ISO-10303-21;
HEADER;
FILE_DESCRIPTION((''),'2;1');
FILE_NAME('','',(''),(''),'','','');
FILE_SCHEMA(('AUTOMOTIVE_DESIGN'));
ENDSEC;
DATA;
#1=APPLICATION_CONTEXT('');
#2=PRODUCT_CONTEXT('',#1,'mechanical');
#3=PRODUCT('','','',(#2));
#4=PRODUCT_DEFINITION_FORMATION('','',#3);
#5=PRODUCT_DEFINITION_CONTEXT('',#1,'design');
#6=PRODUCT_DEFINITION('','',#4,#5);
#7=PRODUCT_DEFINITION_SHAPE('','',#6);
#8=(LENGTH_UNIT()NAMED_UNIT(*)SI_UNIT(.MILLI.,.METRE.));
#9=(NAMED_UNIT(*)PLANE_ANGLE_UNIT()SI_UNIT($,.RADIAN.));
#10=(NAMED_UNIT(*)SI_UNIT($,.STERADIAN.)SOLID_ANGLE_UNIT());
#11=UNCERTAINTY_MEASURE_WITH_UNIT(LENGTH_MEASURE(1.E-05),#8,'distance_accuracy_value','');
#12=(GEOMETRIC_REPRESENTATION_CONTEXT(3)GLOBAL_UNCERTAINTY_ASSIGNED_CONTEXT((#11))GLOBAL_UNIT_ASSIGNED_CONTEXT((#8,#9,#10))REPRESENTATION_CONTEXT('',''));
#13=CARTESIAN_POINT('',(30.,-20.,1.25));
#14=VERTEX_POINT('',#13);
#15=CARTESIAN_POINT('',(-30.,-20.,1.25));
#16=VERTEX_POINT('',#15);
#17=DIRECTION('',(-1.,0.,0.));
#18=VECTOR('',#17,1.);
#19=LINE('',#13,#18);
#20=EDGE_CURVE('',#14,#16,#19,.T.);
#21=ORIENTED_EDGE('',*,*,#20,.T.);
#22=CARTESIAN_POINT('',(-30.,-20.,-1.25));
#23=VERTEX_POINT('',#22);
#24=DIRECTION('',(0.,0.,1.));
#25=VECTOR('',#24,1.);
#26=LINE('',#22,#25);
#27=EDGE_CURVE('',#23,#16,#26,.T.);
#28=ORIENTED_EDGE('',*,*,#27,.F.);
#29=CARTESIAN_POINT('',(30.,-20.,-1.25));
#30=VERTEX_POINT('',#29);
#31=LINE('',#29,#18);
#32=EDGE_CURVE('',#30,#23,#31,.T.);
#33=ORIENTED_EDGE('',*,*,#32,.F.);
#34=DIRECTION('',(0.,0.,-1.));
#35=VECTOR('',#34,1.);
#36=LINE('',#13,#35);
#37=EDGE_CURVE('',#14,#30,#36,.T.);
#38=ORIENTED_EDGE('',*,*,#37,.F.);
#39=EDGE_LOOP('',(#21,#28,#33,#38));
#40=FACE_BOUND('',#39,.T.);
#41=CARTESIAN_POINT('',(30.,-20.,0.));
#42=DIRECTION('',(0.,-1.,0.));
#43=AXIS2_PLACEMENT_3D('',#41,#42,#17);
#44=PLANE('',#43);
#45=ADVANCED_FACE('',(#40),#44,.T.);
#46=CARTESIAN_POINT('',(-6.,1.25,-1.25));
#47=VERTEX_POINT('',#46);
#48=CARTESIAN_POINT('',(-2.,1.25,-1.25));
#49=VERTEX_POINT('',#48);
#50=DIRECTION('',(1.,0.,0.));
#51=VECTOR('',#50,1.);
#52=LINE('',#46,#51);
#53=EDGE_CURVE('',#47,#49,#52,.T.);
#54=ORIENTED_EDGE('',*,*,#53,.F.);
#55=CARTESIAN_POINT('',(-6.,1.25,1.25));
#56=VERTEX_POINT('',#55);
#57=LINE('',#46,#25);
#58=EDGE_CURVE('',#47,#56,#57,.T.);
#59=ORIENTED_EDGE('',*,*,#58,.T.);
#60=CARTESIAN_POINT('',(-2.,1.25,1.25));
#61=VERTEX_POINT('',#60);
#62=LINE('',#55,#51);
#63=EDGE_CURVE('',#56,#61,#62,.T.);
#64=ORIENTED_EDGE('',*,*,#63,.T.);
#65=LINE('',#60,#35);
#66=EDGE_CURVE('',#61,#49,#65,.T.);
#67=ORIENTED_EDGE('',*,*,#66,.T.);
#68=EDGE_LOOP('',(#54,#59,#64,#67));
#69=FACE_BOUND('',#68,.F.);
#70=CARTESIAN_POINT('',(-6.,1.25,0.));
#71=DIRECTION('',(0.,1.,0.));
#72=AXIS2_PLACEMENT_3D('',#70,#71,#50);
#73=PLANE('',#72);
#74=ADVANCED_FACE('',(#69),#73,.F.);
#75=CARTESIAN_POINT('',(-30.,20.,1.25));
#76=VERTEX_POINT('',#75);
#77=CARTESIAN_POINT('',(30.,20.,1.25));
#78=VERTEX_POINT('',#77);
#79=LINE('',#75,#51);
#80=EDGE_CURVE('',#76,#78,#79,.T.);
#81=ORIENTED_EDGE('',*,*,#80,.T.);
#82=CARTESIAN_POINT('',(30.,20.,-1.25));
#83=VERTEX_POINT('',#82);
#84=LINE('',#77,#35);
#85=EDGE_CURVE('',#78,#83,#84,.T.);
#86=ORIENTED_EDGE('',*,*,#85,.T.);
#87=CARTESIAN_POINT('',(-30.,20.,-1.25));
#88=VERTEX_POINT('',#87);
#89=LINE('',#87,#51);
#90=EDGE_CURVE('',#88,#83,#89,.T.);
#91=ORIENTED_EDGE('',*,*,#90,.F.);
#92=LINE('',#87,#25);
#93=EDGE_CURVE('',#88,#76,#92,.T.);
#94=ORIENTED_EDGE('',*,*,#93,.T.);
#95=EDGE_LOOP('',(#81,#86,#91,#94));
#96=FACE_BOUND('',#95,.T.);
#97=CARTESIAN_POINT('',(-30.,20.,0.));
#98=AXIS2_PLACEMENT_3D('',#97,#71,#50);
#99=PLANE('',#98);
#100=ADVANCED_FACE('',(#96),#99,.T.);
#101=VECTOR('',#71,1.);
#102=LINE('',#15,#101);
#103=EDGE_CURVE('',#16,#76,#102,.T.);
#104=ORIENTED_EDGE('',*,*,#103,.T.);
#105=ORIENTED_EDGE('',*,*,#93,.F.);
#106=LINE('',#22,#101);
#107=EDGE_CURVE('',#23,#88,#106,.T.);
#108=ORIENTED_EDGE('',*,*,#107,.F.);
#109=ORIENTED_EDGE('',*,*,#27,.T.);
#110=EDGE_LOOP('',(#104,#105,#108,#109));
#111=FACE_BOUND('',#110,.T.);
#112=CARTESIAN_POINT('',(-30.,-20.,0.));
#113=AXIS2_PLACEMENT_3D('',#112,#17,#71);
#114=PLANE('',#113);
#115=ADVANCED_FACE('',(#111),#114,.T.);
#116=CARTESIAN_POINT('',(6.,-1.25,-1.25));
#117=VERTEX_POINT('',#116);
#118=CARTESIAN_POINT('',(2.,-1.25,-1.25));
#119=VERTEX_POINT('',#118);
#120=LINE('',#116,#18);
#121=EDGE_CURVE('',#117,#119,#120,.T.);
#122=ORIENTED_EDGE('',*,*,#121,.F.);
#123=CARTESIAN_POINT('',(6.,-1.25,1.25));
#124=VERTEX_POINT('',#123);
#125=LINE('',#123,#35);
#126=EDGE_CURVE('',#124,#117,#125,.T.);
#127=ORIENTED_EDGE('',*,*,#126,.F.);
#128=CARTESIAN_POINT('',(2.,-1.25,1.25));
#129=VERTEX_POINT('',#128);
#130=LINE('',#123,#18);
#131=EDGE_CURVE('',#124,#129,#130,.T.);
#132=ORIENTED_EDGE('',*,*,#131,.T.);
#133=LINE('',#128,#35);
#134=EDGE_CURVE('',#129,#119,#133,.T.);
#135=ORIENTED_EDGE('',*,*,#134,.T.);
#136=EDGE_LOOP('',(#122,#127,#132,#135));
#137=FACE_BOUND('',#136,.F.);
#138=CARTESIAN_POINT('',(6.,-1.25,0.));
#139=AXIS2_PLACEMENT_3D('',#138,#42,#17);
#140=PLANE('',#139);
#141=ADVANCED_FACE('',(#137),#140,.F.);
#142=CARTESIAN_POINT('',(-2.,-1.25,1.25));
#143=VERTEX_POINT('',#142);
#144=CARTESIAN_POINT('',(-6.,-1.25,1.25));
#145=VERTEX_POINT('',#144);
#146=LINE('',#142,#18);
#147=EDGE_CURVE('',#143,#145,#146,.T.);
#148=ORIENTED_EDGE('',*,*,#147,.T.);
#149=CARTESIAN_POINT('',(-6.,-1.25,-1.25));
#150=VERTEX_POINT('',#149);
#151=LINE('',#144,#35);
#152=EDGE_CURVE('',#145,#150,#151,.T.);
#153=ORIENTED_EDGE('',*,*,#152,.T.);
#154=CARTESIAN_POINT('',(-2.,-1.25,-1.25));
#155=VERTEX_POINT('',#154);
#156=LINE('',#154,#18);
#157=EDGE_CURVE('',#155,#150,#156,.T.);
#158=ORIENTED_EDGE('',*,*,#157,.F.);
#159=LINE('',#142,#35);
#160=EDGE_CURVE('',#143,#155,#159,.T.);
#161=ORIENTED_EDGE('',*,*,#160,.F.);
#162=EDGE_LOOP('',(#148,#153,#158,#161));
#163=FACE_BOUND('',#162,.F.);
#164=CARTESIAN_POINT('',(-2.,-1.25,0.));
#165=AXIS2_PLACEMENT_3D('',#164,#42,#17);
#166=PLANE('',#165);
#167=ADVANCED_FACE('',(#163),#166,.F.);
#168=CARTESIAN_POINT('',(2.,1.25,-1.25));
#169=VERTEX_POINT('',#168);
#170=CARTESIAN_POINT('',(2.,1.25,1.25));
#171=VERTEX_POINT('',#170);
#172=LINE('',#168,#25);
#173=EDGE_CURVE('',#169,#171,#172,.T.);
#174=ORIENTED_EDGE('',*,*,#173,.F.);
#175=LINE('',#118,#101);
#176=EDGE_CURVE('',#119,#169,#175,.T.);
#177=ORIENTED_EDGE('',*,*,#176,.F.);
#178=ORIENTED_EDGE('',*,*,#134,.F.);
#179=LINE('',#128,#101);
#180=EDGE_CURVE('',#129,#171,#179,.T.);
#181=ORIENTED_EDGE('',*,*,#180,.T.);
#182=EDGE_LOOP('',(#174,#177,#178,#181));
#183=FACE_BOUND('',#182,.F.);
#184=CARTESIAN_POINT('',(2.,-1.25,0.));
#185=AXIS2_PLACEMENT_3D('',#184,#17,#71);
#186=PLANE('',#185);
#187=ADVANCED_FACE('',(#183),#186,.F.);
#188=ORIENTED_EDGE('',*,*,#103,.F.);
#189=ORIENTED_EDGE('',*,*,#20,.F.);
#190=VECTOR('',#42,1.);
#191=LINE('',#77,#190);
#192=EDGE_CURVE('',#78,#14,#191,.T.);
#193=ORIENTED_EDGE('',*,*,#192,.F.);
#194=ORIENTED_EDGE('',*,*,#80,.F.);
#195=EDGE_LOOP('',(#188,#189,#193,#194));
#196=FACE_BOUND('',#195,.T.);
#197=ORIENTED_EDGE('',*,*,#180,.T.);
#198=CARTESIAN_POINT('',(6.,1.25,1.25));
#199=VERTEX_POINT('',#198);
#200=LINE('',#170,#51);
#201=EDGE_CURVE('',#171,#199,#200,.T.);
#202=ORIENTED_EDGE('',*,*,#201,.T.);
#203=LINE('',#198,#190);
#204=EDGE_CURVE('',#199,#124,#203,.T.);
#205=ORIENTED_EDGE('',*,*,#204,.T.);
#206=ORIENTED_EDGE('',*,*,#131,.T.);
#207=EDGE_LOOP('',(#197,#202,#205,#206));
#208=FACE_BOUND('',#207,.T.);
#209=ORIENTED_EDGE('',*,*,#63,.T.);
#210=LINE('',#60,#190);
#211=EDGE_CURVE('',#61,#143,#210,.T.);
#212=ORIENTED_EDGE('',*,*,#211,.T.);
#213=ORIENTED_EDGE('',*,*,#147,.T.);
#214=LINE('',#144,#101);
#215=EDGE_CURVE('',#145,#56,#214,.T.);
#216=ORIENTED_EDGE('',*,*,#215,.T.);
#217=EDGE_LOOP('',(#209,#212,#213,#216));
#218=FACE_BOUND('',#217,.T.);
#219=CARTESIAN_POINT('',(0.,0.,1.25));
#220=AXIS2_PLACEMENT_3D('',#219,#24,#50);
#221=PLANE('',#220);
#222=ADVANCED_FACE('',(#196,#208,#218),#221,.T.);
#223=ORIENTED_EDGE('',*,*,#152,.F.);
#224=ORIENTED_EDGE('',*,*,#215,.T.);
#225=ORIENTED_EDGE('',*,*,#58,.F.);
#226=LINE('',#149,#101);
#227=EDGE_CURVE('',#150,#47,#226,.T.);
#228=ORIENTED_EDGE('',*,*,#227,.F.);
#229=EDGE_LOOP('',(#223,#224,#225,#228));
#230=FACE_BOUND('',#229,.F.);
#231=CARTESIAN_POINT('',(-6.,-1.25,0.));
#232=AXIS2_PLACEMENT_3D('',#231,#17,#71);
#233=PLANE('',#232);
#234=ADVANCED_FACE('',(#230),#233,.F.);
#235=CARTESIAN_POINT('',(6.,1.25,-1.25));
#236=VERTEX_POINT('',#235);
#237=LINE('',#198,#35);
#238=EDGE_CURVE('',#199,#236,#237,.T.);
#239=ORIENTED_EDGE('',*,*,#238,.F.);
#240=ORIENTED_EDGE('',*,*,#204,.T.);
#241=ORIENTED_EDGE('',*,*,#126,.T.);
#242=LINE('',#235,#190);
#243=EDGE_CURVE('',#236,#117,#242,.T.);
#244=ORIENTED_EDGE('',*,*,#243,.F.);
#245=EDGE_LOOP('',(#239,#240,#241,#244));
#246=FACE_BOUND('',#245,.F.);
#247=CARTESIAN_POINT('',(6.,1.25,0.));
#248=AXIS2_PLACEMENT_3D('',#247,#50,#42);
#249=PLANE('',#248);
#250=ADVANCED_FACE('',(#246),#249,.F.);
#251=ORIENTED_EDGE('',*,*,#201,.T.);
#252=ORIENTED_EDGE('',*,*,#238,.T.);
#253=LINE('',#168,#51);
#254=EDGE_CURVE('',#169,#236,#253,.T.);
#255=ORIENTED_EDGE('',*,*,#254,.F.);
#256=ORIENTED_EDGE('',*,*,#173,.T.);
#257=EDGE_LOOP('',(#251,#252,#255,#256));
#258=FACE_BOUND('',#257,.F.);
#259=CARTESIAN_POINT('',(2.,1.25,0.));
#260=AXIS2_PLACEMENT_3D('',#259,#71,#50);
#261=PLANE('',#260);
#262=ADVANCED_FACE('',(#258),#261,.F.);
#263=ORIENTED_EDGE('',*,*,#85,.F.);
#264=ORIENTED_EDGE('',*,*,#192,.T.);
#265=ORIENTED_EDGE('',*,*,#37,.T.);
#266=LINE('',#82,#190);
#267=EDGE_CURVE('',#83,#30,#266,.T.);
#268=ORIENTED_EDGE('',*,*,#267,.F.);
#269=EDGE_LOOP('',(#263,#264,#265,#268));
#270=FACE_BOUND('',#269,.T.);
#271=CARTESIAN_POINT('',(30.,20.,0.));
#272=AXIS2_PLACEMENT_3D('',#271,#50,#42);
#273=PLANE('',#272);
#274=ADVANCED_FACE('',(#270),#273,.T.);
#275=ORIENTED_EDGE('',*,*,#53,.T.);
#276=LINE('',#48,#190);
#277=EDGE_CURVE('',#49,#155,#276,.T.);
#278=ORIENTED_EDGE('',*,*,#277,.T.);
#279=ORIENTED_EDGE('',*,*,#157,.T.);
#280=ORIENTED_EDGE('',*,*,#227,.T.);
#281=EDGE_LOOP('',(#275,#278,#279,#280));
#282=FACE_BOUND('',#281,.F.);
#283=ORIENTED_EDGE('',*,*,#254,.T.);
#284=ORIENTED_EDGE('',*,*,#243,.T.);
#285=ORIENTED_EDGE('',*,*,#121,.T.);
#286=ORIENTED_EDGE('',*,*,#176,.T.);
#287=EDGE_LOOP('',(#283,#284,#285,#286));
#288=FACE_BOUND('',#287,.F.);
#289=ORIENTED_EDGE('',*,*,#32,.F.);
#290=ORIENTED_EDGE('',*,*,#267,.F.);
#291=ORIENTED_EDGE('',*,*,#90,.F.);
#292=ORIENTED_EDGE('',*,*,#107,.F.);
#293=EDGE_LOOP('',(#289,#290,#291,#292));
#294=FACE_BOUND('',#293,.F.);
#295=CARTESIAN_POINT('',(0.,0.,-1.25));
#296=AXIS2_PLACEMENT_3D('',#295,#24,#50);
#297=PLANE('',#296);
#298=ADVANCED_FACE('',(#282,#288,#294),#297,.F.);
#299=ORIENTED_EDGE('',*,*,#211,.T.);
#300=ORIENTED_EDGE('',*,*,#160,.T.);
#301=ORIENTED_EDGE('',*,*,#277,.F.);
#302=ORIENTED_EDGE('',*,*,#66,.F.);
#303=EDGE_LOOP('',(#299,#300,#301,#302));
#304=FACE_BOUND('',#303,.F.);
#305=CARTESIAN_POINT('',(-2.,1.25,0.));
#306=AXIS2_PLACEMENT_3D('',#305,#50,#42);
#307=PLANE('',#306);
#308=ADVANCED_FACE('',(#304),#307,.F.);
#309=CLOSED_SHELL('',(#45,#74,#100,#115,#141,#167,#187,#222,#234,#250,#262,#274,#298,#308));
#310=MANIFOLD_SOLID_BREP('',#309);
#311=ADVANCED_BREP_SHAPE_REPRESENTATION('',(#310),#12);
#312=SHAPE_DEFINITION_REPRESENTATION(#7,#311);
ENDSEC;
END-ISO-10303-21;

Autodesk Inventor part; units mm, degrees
ref_plane "YZ Plane" through (0, 0, 0) normal (1, 0, 0) x (0, 1, 0)
ref_plane "XZ Plane" through (0, 0, 0) normal (0, 1, 0) x (-1, 0, 0)
ref_plane "XY Plane" through (0, 0, 0) normal (0, 0, 1) x (1, 0, 0)
sketch "Sketch1" plane through (0, 0, 0) normal (0, 0, 1) x (1, 0, 0)
  line L0 (0, 8.7149) -> (0, -8.7149) construction
  line L1 (-12.4402, 0) -> (12.4402, 0) construction
  line L2 (-30, 20) -> (30, 20)
  line L3 (30, 20) -> (30, -20)
  line L4 (30, -20) -> (-30, -20)
  line L5 (-30, -20) -> (-30, 20)
  line L6 (-6, 1.25) -> (-2, 1.25)
  line L7 (-2, 1.25) -> (-2, -1.25)
  line L8 (-2, -1.25) -> (-6, -1.25)
  line L9 (-6, -1.25) -> (-6, 1.25)
  line L10 (2, 1.25) -> (6, 1.25)
  line L11 (6, 1.25) -> (6, -1.25)
  line L12 (6, -1.25) -> (2, -1.25)
  line L13 (2, -1.25) -> (2, 1.25)
  point P0 (0, 0)
  point P1 (0, 0)
  dimension "d0" = 4
  dimension "d1" = 4
  dimension "d2" = 4
  dimension "d3" = 2.5
  dimension "d4" = 40
  dimension "d5" = 60
extrude "Extrusion1" add sketch "Sketch1" along normal mid plane 2.5
properties part number "pitahaya3"
